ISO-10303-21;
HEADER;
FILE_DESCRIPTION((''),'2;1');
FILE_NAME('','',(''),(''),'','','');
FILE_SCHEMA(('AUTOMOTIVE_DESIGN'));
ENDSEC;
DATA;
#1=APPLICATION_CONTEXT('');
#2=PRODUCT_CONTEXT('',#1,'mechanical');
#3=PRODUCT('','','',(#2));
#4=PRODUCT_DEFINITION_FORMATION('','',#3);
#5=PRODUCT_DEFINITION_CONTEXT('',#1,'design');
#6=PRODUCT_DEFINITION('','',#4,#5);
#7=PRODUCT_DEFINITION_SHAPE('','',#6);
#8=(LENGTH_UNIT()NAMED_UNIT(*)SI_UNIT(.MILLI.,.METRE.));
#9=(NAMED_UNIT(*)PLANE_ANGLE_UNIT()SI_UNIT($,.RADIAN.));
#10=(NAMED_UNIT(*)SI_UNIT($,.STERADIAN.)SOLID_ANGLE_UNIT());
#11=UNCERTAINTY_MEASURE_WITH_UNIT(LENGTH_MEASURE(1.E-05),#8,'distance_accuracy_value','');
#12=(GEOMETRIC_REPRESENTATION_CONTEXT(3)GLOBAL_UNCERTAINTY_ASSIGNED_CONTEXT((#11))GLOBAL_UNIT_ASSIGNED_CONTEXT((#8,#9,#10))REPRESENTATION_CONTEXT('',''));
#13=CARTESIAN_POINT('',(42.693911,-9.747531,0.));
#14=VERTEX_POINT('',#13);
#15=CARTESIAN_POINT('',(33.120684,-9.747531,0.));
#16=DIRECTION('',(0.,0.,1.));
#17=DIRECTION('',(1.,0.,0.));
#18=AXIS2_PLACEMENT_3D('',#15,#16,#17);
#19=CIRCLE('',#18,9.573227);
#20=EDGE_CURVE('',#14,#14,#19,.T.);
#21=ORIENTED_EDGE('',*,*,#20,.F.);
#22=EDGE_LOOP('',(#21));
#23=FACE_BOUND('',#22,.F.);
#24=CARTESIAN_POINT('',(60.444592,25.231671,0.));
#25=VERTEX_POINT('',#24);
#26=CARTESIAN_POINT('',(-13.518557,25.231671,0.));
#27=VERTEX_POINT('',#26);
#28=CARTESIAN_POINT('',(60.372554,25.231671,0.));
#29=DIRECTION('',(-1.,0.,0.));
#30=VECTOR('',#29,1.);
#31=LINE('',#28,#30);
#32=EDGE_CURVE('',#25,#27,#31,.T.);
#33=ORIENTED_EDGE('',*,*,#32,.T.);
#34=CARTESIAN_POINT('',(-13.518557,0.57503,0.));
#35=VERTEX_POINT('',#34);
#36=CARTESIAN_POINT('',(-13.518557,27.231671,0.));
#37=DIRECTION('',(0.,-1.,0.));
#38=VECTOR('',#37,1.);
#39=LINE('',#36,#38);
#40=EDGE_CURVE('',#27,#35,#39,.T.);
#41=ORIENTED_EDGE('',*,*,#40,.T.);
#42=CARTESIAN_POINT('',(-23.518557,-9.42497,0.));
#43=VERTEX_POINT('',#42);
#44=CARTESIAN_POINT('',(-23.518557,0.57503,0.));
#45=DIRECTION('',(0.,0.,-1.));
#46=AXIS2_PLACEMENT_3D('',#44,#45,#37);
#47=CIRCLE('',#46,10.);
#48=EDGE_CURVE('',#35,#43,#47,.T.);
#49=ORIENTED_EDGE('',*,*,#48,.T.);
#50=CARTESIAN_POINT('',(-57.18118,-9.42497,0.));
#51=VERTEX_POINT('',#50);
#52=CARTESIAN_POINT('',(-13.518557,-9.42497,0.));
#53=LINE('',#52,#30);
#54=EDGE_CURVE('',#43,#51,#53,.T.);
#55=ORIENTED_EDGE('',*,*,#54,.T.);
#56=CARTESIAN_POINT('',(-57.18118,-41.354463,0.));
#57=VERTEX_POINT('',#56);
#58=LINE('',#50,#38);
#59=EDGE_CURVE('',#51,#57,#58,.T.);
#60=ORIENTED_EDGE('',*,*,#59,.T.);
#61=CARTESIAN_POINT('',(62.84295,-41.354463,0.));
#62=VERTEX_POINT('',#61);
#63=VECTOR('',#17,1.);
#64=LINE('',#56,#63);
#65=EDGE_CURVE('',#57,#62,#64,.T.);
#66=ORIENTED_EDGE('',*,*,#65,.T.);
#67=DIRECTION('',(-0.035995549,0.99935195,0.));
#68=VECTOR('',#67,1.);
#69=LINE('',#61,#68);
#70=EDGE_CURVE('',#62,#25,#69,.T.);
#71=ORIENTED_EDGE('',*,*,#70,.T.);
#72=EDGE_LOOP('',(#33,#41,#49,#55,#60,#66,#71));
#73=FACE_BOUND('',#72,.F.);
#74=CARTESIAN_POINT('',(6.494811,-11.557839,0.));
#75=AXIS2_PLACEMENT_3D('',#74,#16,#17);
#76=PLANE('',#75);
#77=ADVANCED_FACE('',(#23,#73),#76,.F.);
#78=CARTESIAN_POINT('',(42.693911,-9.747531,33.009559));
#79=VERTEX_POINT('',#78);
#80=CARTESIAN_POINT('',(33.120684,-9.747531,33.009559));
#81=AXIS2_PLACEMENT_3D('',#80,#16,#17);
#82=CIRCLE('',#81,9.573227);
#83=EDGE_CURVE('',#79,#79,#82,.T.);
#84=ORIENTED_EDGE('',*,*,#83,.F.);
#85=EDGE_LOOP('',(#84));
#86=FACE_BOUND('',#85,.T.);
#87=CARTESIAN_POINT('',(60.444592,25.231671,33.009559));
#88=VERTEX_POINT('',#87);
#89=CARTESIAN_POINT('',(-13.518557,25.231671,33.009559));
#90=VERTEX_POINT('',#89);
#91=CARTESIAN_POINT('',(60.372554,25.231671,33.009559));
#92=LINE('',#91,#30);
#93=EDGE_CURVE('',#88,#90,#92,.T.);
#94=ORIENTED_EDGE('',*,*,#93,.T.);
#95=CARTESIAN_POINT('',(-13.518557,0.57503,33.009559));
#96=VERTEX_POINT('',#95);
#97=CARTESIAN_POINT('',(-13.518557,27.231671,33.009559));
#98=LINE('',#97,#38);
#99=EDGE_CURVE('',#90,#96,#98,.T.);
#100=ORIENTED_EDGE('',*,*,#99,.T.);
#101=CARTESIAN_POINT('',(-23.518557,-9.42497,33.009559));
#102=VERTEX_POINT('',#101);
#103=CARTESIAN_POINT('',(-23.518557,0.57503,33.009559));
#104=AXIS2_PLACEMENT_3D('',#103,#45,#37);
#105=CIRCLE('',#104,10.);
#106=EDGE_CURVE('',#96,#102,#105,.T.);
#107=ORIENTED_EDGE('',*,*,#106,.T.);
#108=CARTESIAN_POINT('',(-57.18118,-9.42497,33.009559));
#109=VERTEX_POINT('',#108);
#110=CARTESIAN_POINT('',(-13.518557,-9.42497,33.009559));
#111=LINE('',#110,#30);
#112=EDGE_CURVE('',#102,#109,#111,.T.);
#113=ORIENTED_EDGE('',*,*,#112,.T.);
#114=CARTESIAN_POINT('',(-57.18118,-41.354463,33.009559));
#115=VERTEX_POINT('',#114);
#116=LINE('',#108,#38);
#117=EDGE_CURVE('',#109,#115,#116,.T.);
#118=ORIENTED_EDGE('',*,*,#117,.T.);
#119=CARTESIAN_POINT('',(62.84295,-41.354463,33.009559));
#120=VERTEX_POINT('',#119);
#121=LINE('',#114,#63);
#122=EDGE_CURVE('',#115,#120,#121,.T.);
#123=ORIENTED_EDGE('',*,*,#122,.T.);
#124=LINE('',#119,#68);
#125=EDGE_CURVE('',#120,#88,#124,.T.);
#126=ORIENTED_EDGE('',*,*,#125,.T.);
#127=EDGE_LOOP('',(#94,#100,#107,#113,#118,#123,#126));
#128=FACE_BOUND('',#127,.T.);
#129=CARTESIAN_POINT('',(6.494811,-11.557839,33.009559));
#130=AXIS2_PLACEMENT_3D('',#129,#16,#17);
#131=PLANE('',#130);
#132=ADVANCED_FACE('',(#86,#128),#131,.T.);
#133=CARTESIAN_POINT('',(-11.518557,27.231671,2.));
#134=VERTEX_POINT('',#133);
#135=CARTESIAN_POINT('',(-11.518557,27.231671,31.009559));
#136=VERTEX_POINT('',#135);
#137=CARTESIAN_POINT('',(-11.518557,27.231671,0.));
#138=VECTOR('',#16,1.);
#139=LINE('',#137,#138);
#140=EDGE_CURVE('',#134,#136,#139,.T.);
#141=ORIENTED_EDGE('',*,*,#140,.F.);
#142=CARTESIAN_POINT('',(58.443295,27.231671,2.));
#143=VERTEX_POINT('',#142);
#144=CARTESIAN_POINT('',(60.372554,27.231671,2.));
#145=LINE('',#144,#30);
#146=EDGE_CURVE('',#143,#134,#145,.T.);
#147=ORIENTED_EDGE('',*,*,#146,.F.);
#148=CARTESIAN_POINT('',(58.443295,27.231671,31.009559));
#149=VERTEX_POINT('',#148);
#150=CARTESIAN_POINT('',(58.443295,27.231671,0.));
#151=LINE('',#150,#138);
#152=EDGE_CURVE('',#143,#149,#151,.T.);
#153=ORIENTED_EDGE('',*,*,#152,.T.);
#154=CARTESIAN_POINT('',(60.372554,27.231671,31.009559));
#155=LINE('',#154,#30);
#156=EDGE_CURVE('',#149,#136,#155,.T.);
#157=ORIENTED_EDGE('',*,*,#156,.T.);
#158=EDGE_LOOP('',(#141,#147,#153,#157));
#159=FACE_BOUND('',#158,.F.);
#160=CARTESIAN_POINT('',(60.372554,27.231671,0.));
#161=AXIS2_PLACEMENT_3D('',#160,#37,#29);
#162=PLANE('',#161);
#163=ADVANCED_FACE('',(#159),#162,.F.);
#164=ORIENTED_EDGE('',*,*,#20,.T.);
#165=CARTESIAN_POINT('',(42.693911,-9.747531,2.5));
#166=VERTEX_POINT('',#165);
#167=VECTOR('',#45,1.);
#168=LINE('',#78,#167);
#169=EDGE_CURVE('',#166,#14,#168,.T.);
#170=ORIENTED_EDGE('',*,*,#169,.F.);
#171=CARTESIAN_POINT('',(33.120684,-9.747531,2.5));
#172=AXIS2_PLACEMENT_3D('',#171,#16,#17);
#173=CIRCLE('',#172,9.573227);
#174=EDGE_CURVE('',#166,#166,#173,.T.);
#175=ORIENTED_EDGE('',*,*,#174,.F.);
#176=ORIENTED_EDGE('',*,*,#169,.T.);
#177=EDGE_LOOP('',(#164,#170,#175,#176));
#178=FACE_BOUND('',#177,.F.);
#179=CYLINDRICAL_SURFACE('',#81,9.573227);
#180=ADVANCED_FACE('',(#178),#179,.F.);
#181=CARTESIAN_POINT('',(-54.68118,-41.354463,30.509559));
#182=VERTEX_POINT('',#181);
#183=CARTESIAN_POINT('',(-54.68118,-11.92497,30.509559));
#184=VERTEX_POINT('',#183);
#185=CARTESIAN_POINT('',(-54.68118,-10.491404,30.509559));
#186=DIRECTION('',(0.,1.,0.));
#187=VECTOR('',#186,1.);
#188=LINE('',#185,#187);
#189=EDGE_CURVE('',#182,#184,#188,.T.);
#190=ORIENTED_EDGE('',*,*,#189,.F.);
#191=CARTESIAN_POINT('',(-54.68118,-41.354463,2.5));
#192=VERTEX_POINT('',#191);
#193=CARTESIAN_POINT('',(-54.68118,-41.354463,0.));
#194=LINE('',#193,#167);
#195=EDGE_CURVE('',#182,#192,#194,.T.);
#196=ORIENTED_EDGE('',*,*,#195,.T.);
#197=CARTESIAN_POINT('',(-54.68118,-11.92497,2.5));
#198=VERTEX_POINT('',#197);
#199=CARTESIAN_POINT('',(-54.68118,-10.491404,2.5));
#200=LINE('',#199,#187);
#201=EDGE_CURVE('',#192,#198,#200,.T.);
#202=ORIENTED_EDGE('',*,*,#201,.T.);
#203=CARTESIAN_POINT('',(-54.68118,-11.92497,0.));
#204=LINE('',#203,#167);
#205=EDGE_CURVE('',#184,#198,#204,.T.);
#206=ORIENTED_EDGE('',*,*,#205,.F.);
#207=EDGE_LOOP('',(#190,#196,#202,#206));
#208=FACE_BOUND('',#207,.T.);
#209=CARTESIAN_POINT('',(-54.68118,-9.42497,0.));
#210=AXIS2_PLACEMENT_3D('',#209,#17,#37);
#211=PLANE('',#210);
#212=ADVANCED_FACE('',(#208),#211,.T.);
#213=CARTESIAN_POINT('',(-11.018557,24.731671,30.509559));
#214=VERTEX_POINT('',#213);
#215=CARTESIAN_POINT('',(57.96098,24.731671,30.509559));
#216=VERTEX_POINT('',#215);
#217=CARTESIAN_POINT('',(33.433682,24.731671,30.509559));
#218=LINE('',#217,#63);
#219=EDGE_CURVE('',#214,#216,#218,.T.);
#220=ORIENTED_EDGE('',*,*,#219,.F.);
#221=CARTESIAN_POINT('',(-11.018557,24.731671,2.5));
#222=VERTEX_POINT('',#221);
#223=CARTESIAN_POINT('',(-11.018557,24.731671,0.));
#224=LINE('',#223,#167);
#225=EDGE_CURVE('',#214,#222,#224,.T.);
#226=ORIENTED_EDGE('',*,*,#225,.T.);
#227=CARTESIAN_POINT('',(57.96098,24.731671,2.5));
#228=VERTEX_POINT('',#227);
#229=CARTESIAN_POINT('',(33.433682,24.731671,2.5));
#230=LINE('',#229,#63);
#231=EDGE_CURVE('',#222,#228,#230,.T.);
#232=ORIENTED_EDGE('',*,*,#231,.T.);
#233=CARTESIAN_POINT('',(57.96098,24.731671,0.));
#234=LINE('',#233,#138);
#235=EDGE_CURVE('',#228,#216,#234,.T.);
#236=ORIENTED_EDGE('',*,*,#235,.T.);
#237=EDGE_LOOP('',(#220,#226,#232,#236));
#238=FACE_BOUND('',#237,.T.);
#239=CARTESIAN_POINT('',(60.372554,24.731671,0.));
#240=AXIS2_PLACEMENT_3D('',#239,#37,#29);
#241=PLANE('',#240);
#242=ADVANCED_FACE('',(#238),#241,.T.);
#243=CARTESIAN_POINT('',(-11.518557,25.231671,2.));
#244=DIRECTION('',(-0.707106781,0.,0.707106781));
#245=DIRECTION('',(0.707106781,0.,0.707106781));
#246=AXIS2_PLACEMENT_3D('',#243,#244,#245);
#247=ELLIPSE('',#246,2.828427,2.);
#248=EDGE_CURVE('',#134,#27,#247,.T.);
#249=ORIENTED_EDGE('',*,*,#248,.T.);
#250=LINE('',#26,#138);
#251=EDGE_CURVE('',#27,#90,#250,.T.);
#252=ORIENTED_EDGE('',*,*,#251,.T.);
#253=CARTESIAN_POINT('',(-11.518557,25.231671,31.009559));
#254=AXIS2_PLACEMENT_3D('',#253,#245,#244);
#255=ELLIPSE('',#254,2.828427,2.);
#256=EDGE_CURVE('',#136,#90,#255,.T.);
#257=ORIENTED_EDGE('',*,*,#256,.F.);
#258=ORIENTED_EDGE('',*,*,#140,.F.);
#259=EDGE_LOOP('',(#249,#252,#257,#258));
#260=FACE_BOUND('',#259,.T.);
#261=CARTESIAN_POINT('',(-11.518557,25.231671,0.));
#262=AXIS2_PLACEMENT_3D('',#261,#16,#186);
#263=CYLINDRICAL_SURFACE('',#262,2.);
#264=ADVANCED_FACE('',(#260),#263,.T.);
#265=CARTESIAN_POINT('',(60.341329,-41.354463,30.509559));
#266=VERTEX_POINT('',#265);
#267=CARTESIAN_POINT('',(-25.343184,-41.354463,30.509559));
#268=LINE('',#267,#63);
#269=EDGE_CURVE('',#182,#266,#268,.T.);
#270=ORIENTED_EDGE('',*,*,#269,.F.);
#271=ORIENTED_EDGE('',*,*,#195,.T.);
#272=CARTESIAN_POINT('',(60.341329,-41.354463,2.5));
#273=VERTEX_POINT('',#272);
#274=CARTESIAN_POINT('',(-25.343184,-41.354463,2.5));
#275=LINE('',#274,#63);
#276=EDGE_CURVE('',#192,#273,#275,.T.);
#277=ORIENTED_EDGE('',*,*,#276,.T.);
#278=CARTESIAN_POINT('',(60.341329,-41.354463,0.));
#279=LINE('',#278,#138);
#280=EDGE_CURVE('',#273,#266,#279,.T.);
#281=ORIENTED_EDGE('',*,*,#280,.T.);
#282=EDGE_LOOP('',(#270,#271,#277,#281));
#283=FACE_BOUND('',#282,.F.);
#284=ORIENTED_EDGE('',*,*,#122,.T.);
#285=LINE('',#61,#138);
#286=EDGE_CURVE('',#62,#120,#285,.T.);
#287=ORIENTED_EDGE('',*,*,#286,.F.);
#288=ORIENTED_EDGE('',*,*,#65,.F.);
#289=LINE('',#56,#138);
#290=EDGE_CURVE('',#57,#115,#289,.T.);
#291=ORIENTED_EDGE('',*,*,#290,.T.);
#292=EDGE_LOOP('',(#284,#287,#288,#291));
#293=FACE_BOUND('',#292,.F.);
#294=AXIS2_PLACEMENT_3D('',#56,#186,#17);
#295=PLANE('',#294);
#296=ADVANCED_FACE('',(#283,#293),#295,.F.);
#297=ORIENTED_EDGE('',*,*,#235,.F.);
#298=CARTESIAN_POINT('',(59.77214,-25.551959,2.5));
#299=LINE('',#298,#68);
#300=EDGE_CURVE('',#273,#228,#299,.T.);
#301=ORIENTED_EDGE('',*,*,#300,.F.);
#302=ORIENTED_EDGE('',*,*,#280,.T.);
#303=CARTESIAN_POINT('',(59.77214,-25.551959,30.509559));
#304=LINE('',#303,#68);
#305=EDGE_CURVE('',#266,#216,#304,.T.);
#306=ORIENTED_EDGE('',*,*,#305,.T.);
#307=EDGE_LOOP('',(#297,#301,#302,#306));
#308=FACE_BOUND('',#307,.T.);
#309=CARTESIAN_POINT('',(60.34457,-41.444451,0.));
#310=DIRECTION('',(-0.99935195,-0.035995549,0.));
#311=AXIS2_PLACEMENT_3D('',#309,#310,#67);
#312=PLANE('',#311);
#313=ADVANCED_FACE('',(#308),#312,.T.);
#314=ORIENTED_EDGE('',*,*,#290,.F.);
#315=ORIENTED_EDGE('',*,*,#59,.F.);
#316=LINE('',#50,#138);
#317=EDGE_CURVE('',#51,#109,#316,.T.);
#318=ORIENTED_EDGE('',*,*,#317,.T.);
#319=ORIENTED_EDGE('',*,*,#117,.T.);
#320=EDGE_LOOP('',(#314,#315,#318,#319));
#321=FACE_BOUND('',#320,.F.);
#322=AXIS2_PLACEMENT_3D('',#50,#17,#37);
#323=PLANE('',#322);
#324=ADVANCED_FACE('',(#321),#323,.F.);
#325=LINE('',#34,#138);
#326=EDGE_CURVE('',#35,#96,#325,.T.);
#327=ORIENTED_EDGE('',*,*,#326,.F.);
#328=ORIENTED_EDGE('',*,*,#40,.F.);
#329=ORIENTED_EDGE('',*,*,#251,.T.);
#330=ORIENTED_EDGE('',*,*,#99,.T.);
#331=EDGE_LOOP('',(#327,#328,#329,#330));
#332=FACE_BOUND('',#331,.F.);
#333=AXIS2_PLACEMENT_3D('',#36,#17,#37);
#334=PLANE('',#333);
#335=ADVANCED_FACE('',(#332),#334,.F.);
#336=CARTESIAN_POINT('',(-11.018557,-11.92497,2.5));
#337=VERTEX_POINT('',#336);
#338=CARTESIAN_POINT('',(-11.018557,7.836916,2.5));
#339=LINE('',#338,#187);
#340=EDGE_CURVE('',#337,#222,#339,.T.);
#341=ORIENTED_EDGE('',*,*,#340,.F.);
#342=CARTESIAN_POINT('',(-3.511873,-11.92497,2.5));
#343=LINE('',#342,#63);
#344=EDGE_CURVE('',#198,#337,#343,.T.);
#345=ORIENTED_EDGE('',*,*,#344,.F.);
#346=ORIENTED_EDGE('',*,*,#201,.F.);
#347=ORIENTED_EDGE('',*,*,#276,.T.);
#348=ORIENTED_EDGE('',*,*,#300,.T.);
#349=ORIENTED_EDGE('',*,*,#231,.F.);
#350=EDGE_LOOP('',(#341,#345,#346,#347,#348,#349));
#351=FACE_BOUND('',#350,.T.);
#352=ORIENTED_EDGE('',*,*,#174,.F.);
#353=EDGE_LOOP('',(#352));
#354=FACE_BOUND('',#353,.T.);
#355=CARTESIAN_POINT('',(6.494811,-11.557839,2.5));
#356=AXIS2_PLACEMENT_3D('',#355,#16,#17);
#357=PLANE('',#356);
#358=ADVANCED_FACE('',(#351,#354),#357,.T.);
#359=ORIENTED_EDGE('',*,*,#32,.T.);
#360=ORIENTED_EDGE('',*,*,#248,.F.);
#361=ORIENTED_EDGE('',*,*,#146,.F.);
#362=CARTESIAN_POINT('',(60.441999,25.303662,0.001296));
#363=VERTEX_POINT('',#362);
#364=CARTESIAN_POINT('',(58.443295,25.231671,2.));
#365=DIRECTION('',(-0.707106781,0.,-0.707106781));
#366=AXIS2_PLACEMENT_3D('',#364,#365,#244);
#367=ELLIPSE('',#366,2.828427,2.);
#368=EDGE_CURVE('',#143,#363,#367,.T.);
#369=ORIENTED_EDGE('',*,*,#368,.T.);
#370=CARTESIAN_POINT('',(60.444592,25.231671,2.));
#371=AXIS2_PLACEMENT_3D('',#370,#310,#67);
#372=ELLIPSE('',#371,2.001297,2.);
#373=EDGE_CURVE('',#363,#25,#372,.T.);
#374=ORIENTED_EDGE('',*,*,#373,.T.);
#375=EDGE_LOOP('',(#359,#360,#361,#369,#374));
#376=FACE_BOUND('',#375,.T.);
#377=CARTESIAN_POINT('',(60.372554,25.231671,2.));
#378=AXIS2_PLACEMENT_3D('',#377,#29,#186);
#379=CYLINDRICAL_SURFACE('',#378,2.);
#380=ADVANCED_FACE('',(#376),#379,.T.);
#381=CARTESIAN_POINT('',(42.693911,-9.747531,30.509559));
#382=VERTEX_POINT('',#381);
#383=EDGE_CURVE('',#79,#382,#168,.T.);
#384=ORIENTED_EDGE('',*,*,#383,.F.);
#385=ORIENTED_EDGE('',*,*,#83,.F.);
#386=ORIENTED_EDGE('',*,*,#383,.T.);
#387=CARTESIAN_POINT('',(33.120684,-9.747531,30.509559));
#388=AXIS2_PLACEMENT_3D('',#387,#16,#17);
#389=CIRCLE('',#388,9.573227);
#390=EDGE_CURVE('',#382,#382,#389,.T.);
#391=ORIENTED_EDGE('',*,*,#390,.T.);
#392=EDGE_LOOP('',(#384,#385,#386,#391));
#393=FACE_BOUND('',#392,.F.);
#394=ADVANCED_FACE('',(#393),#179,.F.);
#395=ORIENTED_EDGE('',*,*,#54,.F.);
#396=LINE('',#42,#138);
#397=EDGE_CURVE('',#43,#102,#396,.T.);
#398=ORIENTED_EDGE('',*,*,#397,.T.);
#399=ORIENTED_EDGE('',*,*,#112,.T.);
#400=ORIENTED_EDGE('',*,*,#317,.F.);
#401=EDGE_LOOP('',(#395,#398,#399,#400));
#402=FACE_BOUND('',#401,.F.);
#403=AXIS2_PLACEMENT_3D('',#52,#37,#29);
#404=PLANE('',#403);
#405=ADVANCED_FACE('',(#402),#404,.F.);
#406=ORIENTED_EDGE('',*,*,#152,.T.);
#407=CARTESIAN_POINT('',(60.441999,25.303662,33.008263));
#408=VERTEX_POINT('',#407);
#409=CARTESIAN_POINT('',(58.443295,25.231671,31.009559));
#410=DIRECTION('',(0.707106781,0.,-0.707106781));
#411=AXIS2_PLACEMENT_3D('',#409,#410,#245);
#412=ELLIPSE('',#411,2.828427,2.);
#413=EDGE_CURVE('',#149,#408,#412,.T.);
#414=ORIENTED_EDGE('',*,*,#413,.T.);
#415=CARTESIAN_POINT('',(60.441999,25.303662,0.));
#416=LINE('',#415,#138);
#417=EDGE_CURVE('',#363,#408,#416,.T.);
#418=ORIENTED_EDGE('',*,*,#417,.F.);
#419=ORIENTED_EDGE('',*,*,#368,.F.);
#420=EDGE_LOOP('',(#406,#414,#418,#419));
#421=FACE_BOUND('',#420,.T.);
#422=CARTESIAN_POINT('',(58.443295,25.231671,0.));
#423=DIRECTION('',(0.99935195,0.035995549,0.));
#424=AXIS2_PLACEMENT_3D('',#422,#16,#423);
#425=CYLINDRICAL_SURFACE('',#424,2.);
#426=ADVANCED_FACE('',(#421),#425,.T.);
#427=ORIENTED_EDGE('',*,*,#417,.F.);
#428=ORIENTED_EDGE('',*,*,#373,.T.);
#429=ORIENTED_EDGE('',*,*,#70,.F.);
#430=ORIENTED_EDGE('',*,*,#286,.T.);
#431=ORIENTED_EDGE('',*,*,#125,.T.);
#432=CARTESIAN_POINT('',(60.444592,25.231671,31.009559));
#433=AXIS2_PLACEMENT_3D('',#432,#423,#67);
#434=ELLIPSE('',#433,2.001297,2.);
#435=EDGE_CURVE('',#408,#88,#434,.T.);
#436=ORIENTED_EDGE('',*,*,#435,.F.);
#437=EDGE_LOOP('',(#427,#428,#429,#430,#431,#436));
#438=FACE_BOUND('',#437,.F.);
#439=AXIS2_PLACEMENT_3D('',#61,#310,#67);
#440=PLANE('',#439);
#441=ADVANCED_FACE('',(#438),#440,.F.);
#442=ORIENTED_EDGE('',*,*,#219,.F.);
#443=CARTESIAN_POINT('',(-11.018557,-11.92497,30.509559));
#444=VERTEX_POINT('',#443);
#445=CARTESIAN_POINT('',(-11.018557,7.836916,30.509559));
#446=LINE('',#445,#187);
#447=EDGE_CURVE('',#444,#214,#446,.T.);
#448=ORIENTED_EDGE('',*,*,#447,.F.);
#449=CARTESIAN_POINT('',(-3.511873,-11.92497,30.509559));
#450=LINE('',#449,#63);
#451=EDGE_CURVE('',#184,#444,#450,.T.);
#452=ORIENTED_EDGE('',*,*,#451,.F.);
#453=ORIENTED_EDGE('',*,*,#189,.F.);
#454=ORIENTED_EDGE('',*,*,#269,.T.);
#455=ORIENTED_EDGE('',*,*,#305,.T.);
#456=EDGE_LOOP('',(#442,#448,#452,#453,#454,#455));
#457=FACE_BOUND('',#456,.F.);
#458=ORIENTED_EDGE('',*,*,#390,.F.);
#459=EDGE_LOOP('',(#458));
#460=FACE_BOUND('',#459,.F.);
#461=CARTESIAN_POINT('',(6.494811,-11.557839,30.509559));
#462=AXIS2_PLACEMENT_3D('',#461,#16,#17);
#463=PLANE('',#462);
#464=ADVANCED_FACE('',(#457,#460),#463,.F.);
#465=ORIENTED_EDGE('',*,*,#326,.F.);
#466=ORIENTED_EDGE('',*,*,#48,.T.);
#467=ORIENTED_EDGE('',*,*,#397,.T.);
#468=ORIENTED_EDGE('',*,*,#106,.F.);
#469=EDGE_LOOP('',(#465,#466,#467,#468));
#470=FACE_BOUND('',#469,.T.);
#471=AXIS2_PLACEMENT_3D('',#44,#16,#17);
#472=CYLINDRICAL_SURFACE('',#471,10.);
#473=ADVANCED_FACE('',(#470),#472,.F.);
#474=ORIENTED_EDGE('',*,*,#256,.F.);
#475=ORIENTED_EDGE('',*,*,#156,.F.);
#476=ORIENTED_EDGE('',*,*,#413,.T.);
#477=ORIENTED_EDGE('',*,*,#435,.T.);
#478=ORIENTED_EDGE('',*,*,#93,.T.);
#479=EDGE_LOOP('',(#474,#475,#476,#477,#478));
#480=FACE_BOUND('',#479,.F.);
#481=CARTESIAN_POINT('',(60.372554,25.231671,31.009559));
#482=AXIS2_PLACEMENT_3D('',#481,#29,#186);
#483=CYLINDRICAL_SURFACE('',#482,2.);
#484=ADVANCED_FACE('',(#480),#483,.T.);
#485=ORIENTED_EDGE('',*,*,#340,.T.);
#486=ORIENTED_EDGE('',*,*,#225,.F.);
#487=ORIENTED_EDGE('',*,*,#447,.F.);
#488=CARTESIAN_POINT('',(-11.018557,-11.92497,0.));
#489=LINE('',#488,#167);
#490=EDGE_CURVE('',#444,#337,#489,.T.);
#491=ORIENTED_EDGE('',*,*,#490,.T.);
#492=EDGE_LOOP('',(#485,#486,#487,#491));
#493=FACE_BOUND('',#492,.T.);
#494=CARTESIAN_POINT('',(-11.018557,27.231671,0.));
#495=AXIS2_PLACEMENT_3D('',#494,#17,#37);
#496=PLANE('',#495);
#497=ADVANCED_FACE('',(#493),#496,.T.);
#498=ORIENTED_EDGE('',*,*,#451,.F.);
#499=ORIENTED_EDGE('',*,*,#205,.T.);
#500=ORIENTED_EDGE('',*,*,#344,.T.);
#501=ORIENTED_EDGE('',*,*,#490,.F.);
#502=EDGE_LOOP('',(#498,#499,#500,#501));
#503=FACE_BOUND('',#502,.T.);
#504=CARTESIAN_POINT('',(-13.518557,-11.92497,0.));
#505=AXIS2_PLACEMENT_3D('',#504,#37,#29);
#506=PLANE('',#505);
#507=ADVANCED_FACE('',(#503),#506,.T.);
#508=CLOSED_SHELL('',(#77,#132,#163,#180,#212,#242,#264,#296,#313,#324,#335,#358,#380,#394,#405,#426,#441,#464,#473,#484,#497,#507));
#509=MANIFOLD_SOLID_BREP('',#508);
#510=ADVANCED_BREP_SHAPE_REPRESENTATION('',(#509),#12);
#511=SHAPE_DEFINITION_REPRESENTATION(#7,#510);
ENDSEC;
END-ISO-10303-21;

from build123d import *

# Parameters (mm, degrees)
F1_DEPTH = 33.0095589161
F3_R     = 2
F4_T     = -2.5
F5_R     = 10
F2_R     = 9.5732270721
F6_DEPTH = 66.1102235317


with BuildPart() as f1:
    # F0 (on Top) → F1 (new body)
    with BuildSketch(Plane.XY):
        Polygon((62.8429502249, -41.3544625044), (60.3725537658, 27.2316709161), (-13.5185569525, 27.2316709161), (-13.5185569525, -9.4249695539), (-57.1811795235, -9.4249695539), (-57.1811795235, -41.3544625044), align=None)
    extrude(amount=F1_DEPTH)

    # F3
    f3_edges = [f1.edges().sort_by_distance(p)[0] for p in [
        (60.372554, 27.231671, 16.504779),
        (-13.518557, 27.231671, 16.504779),
        (23.426998, 27.231671, 0),
        (23.426998, 27.231671, 33.009559),
    ]]
    fillet(f3_edges, radius=F3_R)

    # F4
    f4_openings = [f1.faces().sort_by_distance(p)[0] for p in [
        (2.830885, -41.354463, 16.504779),
    ]]
    offset(amount=F4_T, openings=f4_openings, kind=Kind.INTERSECTION)

    # F5
    f5_edges = [f1.edges().sort_by_distance(p)[0] for p in [
        (-13.518557, -9.42497, 16.504779),
    ]]
    fillet(f5_edges, radius=F5_R)

    # F2 (on face) → F6 (cut)
    with BuildSketch(Plane.XY.offset(33.0095589161)):
        with Locations((33.1206843257, -9.747531265)):
            Circle(F2_R)
    extrude(amount=-F6_DEPTH, mode=Mode.SUBTRACT)


solid = f1.part
